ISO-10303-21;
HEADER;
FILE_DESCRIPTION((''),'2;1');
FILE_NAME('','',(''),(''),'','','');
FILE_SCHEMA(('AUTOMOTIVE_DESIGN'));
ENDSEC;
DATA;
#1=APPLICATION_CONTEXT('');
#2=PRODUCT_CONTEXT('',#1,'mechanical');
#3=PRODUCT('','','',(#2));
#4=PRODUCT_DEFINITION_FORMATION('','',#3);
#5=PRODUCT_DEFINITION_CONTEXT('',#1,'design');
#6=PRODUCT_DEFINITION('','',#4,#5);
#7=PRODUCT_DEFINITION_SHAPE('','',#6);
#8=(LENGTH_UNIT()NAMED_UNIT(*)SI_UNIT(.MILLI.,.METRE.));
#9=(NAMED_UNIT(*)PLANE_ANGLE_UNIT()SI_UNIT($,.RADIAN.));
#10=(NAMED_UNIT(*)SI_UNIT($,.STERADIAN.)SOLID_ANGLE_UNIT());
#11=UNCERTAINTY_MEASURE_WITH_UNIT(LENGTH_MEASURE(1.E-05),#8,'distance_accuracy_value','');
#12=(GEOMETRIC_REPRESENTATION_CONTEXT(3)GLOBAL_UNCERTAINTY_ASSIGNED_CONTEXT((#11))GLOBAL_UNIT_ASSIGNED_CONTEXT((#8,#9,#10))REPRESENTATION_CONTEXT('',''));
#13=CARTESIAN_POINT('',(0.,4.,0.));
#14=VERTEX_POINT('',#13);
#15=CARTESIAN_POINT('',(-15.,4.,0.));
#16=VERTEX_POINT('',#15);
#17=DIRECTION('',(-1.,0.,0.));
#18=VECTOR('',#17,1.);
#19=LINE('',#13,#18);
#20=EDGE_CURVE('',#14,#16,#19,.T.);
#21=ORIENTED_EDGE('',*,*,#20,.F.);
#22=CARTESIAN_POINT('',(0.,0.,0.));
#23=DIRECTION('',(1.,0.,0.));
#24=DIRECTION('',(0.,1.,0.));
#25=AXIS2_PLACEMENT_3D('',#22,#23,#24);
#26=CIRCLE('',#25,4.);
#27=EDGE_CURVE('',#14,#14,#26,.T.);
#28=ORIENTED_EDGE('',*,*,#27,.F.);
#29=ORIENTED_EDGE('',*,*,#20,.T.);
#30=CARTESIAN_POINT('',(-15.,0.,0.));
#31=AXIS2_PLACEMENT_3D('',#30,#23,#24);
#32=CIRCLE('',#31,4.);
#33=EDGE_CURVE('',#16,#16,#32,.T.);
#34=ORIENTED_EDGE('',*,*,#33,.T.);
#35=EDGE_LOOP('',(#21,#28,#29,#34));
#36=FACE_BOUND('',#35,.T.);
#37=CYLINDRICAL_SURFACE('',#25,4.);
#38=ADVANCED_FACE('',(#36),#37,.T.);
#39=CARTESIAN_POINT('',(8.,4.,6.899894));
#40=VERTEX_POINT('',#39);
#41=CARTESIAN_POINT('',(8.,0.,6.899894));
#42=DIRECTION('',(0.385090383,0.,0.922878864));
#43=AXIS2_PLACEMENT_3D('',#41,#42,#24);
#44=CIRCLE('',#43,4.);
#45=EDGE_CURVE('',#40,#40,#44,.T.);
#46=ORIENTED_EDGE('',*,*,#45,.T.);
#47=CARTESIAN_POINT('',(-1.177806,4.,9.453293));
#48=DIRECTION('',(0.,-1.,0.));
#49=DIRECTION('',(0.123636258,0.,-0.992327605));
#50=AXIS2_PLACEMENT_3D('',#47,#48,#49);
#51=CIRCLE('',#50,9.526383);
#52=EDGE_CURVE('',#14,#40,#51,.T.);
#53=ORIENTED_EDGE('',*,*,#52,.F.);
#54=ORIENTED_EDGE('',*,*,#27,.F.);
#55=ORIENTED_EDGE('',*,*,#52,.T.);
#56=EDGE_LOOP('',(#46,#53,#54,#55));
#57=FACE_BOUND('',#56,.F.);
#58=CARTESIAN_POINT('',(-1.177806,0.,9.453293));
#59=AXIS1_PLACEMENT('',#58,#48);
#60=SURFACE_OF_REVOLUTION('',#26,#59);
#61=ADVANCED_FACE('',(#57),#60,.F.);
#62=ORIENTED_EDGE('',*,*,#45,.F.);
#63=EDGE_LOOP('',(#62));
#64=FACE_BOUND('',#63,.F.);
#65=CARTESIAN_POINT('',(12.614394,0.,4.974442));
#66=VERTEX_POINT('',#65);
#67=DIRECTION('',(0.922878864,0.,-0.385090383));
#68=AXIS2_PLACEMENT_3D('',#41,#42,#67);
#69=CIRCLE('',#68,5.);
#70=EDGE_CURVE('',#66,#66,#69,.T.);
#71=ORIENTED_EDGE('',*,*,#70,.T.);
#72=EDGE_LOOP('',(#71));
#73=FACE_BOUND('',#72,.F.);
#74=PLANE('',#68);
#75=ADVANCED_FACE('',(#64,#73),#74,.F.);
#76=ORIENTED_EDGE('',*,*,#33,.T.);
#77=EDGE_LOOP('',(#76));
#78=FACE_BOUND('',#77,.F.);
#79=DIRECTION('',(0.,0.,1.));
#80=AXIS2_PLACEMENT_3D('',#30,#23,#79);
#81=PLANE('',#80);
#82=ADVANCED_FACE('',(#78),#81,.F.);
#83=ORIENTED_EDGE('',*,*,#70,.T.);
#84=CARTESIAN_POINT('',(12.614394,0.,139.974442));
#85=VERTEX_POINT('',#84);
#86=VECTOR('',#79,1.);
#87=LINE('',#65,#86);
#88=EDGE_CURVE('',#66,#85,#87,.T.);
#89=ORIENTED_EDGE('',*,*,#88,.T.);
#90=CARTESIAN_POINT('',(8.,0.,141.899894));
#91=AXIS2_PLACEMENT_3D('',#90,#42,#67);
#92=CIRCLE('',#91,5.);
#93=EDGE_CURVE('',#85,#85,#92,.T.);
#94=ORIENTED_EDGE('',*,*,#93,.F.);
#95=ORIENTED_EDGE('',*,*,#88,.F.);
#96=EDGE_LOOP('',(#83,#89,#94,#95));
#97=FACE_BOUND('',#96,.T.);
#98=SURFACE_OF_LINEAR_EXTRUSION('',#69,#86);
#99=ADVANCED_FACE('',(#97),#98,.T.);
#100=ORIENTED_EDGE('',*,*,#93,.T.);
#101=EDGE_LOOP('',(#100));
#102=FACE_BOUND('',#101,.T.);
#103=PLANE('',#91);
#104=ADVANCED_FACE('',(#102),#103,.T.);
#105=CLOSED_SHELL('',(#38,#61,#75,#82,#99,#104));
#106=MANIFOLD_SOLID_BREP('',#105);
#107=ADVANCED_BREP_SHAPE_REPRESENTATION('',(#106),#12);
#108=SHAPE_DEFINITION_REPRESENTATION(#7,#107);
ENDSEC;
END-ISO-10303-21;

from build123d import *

# Parameters (mm, degrees)
F0_R     = 4
F3_R     = 5
F3_R_2   = 4
F7_DEPTH = 15


with BuildPart() as f2:
    # F2: sweep along a path in F1
    with BuildLine(Plane.XZ) as f2_path:
        ThreePointArc((0, 0), (5.0440752924, 2.2394060053), (8, 6.8998935265))
    # F0 (on Right) → F2 (sweep)
    with BuildSketch(Plane.YZ):
        Circle(F0_R)
    sweep(path=f2_path.line)

    # F6: sweep along a path in F5
    with BuildLine(Plane.XZ) as f6_path:
        Line((8, 6.8998935265), (8, 141.8998935265))
    # F3 (on face) → F6 (sweep)
    with BuildSketch(Plane(origin=(3.6385222305, 0, 8.719810755), x_dir=(0.9228788637, 0, -0.3850903828), z_dir=(0.3850903828, 0, 0.9228788637))):
        with Locations((4.7259482702, 0)):
            Circle(F3_R)
        with Locations((4.7259482702, 0)):
            Circle(F3_R_2, mode=Mode.SUBTRACT)
        with Locations((4.7259482702, 0)):
            Circle(F3_R_2)
    sweep(path=f6_path.line)

    # F7 (add): a face of the model
    f7_faces = [f2.faces().sort_by_distance(p)[0] for p in [
        (0, 0, 0),
    ]]
    extrude(f7_faces, amount=F7_DEPTH)


solid = f2.part
